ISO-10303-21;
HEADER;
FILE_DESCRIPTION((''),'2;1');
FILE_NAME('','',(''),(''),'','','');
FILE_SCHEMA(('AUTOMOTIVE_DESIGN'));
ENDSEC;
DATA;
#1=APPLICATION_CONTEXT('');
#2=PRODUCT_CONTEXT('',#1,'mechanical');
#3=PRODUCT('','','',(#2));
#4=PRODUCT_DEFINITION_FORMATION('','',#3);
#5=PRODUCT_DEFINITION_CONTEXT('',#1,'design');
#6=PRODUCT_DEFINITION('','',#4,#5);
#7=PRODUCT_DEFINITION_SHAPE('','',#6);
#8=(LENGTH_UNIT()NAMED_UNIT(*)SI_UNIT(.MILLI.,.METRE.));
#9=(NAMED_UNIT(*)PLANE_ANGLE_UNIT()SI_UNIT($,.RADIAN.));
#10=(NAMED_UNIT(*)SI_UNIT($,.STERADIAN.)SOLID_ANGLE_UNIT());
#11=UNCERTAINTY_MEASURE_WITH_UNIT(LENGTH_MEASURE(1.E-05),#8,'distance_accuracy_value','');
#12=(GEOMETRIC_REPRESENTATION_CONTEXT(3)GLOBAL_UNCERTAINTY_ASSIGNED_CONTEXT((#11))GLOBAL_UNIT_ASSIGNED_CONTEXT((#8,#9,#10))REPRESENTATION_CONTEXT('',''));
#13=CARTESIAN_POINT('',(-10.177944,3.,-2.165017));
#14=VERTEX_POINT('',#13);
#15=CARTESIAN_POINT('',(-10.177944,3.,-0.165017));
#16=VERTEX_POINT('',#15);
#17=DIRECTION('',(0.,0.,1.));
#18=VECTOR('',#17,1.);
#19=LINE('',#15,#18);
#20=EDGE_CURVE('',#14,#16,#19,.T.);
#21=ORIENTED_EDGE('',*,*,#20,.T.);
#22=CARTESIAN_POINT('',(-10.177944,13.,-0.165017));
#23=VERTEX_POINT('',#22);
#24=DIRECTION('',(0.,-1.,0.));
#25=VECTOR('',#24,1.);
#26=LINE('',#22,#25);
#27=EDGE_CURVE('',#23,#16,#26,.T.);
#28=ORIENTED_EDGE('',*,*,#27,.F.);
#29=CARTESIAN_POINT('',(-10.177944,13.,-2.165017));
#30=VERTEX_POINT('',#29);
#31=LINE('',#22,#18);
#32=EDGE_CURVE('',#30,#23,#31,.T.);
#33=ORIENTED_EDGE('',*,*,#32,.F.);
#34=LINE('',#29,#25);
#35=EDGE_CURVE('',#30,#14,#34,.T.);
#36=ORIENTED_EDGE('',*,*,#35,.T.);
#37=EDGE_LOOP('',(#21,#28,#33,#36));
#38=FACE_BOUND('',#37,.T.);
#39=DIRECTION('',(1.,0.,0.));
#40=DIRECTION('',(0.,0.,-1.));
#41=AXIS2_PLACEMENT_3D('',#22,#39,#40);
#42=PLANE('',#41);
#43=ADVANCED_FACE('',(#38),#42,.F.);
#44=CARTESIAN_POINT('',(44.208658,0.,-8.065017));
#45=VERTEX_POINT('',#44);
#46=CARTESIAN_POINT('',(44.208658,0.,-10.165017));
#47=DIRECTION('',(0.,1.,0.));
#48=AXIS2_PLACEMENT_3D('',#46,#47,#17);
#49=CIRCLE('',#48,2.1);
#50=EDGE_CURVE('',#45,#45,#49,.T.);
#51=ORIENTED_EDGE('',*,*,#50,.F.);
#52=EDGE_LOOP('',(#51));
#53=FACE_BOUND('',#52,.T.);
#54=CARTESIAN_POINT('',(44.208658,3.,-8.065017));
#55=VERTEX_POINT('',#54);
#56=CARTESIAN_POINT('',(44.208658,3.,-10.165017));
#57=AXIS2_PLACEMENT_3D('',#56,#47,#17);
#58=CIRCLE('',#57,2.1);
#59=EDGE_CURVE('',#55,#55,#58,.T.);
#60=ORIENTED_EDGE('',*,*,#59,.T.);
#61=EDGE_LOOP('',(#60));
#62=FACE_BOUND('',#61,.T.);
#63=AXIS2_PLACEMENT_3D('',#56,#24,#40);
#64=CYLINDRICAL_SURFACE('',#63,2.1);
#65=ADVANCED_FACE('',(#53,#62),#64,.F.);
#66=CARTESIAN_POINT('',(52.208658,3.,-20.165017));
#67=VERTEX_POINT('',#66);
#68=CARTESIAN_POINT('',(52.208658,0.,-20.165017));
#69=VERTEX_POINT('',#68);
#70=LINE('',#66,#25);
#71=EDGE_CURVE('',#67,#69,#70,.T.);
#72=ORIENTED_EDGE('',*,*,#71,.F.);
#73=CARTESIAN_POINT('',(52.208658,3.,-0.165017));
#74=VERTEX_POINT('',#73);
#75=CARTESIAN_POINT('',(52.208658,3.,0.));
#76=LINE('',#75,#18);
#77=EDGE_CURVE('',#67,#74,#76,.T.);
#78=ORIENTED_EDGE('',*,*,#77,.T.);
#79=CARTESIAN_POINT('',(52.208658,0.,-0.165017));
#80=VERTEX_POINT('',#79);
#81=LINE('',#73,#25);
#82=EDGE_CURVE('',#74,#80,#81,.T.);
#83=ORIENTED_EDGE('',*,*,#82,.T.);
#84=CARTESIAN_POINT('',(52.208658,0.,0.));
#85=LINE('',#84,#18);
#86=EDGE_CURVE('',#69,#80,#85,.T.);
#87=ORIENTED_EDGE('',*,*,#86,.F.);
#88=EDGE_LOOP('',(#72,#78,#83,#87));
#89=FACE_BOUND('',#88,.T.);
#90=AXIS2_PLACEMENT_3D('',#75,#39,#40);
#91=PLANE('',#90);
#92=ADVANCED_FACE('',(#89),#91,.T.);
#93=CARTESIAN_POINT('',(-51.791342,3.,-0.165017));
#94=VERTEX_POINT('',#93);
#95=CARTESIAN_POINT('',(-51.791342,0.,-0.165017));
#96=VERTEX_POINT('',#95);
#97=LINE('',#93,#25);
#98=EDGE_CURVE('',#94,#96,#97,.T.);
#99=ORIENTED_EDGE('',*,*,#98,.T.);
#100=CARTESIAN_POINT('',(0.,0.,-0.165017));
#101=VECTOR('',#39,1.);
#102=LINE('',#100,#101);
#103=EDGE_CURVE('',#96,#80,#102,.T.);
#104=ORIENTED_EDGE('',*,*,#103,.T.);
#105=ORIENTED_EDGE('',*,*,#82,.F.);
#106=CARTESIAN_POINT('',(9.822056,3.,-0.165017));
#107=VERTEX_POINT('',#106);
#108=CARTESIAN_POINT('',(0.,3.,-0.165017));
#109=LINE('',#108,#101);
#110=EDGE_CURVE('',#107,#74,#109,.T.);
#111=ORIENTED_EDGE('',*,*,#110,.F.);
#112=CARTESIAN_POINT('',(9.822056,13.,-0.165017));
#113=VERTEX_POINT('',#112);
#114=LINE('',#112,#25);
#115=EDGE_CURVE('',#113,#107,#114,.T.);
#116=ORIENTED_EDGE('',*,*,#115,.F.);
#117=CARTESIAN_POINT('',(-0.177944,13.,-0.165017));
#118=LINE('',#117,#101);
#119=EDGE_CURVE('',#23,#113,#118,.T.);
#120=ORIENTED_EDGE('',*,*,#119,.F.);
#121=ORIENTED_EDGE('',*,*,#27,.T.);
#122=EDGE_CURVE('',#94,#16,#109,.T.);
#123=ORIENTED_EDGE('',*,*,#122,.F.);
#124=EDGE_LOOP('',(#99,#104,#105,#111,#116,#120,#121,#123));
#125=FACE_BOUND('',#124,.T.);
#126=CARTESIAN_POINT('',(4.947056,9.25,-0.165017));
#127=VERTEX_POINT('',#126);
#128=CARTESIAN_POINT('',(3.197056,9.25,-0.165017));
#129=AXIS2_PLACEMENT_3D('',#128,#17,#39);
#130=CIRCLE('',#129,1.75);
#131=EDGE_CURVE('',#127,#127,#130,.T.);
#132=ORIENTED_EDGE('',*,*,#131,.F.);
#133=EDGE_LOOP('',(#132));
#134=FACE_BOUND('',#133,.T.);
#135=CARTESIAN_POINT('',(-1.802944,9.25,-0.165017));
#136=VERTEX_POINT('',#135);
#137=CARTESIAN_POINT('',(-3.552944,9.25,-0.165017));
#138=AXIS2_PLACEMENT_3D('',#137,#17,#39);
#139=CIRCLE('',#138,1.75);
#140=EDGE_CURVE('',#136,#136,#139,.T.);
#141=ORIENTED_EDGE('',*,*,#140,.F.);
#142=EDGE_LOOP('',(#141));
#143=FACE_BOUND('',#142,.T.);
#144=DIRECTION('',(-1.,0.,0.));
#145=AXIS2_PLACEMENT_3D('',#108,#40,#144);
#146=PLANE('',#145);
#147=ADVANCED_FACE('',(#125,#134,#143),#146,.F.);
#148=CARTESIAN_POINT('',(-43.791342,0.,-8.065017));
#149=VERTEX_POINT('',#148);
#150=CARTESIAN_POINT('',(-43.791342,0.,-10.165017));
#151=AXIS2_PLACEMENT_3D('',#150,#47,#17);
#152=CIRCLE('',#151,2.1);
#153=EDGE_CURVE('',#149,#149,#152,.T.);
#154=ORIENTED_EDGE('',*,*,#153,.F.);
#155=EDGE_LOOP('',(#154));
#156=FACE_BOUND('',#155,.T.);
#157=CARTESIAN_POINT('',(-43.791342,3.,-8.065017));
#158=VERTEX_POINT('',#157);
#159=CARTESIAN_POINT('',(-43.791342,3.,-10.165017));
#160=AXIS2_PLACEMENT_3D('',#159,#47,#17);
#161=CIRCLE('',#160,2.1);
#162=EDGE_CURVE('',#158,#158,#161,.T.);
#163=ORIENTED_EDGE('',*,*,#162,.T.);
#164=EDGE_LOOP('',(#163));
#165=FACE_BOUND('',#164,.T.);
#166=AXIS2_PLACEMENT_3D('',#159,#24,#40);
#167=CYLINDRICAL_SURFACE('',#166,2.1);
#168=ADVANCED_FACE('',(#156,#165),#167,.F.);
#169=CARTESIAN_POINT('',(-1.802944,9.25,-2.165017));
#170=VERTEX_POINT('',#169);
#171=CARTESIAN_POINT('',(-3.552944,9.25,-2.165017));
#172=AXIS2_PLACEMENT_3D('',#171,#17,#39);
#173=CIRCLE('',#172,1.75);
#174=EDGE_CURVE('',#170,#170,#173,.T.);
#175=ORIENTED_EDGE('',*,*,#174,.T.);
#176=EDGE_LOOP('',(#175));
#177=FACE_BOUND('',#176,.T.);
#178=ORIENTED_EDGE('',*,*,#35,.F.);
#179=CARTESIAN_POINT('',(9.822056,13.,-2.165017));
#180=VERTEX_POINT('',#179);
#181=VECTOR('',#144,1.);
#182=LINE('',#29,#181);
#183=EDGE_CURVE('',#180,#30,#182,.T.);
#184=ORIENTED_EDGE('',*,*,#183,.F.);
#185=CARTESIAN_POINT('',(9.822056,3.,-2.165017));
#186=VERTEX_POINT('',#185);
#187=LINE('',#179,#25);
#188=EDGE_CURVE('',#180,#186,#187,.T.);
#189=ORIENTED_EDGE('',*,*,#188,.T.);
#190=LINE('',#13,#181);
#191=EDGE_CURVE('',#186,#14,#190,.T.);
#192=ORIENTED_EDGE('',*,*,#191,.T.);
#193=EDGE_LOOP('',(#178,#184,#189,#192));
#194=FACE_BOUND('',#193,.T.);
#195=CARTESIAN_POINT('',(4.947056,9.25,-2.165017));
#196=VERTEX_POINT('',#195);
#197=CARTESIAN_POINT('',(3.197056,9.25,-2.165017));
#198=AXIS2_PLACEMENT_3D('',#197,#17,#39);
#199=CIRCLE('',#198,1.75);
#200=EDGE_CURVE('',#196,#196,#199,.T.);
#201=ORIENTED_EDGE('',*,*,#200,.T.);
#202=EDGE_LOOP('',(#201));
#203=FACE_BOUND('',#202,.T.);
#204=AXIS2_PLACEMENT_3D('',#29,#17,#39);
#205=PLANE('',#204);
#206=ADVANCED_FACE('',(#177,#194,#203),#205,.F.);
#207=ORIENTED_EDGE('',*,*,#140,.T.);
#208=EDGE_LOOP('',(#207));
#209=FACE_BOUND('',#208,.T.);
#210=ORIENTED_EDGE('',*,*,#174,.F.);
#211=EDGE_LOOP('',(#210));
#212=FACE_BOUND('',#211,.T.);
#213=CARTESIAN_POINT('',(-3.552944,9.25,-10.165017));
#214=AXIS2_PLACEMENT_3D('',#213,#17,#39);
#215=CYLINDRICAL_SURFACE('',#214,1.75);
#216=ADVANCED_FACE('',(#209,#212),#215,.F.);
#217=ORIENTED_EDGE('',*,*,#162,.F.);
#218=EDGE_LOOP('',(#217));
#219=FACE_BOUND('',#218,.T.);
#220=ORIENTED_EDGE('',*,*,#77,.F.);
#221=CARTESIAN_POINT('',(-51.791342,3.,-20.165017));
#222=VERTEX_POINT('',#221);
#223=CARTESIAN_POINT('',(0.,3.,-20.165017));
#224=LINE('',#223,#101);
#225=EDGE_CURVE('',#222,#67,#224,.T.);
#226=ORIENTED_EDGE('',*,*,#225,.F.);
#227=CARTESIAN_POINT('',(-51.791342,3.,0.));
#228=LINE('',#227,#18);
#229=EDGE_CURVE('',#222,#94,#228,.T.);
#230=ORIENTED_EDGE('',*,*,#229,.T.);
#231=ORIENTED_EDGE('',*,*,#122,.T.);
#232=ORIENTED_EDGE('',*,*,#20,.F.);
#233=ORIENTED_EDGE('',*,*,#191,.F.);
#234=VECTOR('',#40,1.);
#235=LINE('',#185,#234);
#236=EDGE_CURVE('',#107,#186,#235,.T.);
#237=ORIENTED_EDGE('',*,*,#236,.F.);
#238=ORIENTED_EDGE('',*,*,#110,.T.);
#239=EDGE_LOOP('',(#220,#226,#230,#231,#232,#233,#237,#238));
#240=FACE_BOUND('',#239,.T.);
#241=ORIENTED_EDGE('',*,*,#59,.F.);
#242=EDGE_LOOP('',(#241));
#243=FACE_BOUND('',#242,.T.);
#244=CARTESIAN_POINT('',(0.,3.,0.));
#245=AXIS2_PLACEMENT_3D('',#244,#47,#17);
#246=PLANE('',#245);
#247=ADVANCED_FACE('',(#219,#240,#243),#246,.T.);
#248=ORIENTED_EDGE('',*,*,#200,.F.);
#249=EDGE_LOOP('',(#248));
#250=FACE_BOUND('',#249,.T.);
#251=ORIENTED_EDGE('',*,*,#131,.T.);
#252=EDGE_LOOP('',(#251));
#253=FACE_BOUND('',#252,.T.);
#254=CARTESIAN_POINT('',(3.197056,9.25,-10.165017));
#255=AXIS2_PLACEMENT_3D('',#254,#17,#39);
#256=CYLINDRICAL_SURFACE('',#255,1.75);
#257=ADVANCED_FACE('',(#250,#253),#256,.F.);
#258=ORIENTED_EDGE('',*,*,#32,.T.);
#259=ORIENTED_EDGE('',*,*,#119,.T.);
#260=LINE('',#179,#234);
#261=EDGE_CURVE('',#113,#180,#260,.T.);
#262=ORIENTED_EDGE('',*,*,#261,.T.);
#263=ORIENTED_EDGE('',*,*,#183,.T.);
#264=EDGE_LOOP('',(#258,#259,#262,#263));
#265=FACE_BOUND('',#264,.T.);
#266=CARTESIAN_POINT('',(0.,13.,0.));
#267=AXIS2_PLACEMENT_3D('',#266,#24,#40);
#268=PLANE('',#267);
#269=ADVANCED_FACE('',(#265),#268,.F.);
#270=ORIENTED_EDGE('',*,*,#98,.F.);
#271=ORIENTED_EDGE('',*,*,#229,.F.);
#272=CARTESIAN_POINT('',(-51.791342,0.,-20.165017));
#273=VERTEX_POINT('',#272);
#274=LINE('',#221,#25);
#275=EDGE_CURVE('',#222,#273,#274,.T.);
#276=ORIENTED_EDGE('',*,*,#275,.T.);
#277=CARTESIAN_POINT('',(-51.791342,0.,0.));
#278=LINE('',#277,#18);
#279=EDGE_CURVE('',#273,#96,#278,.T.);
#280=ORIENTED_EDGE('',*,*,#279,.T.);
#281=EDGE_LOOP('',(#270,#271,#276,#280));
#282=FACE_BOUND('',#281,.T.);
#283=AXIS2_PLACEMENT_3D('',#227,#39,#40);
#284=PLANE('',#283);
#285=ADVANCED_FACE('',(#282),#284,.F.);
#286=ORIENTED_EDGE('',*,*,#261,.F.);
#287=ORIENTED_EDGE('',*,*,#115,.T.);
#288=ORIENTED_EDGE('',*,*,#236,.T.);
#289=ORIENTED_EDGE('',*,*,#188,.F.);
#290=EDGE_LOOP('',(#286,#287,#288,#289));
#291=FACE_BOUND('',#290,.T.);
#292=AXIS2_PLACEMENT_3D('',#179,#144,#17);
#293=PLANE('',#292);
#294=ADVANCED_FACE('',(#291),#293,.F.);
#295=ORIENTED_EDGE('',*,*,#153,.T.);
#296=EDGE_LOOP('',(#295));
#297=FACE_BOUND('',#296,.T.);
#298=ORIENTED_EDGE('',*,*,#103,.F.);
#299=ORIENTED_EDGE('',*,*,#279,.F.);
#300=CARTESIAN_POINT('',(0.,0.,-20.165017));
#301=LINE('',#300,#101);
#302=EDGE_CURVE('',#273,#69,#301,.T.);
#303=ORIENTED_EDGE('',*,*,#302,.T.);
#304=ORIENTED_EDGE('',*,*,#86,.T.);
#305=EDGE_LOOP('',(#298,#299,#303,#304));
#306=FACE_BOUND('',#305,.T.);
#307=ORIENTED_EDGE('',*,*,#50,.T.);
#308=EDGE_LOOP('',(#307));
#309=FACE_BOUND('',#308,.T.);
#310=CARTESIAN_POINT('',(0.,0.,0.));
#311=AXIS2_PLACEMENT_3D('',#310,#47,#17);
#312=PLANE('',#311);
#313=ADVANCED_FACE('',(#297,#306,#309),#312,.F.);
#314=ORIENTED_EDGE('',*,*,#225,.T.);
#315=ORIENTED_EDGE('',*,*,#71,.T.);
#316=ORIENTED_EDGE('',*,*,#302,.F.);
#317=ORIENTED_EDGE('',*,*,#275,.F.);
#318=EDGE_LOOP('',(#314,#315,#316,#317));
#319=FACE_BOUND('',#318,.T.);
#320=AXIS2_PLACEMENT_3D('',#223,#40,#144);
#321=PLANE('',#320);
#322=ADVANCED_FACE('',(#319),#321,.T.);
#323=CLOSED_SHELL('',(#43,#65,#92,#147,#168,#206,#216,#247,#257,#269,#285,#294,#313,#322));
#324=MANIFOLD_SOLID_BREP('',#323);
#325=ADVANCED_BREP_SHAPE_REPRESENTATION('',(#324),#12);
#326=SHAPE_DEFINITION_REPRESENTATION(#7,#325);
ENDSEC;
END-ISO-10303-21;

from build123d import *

# Parameters (mm, degrees)
ESQUISSE1_W             = 104
ESQUISSE1_H             = 20
ESQUISSE1_R             = 2.1
BOSS_EXTRU_1_DEPTH      = 3
BOSS_EXTRU_2_DEPTH      = 10
ESQUISSE3_R             = 1.75
ENL_V_MAT_EXTRU_1_DEPTH = 10


with BuildPart() as part:
    # Esquisse1 → Boss.-Extru.1 (new body)
    with BuildSketch(Plane(origin=(0, 0, 0), x_dir=(1, 0, 0), z_dir=(0, 1, 0))):
        with Locations((0.208658176, 10.165016502)):
            Rectangle(ESQUISSE1_W, ESQUISSE1_H)
        with Locations(Location((-43.791341824, 10.165016502, 0), (0, 0, 270))):
            Circle(ESQUISSE1_R, mode=Mode.SUBTRACT)
        with Locations(Location((44.208658176, 10.165016502, 0), (0, 0, 270))):
            Circle(ESQUISSE1_R, mode=Mode.SUBTRACT)
    extrude(amount=BOSS_EXTRU_1_DEPTH)

    # Esquisse2 → Boss.-Extru.2 (add)
    with BuildSketch(Plane(origin=(0, 3, 0), x_dir=(1, 0, 0), z_dir=(0, 1, 0))):
        Polygon((-0.177943938, 0.165016502), (-10.177943938, 0.165016502), (-10.177943938, 2.165016502), (9.822056062, 2.165016502), (9.822056062, 0.165016502), align=None)
    extrude(amount=BOSS_EXTRU_2_DEPTH)

    # Esquisse3 → Enlèv. mat.-Extru.1 (cut)
    with BuildSketch(Plane.XY.offset(-0.165016502)):
        with Locations((-3.552943938, 9.25)):
            Circle(ESQUISSE3_R)
        with Locations((3.197056062, 9.25)):
            Circle(ESQUISSE3_R)
    extrude(amount=-ENL_V_MAT_EXTRU_1_DEPTH, mode=Mode.SUBTRACT)


solid = part.part
